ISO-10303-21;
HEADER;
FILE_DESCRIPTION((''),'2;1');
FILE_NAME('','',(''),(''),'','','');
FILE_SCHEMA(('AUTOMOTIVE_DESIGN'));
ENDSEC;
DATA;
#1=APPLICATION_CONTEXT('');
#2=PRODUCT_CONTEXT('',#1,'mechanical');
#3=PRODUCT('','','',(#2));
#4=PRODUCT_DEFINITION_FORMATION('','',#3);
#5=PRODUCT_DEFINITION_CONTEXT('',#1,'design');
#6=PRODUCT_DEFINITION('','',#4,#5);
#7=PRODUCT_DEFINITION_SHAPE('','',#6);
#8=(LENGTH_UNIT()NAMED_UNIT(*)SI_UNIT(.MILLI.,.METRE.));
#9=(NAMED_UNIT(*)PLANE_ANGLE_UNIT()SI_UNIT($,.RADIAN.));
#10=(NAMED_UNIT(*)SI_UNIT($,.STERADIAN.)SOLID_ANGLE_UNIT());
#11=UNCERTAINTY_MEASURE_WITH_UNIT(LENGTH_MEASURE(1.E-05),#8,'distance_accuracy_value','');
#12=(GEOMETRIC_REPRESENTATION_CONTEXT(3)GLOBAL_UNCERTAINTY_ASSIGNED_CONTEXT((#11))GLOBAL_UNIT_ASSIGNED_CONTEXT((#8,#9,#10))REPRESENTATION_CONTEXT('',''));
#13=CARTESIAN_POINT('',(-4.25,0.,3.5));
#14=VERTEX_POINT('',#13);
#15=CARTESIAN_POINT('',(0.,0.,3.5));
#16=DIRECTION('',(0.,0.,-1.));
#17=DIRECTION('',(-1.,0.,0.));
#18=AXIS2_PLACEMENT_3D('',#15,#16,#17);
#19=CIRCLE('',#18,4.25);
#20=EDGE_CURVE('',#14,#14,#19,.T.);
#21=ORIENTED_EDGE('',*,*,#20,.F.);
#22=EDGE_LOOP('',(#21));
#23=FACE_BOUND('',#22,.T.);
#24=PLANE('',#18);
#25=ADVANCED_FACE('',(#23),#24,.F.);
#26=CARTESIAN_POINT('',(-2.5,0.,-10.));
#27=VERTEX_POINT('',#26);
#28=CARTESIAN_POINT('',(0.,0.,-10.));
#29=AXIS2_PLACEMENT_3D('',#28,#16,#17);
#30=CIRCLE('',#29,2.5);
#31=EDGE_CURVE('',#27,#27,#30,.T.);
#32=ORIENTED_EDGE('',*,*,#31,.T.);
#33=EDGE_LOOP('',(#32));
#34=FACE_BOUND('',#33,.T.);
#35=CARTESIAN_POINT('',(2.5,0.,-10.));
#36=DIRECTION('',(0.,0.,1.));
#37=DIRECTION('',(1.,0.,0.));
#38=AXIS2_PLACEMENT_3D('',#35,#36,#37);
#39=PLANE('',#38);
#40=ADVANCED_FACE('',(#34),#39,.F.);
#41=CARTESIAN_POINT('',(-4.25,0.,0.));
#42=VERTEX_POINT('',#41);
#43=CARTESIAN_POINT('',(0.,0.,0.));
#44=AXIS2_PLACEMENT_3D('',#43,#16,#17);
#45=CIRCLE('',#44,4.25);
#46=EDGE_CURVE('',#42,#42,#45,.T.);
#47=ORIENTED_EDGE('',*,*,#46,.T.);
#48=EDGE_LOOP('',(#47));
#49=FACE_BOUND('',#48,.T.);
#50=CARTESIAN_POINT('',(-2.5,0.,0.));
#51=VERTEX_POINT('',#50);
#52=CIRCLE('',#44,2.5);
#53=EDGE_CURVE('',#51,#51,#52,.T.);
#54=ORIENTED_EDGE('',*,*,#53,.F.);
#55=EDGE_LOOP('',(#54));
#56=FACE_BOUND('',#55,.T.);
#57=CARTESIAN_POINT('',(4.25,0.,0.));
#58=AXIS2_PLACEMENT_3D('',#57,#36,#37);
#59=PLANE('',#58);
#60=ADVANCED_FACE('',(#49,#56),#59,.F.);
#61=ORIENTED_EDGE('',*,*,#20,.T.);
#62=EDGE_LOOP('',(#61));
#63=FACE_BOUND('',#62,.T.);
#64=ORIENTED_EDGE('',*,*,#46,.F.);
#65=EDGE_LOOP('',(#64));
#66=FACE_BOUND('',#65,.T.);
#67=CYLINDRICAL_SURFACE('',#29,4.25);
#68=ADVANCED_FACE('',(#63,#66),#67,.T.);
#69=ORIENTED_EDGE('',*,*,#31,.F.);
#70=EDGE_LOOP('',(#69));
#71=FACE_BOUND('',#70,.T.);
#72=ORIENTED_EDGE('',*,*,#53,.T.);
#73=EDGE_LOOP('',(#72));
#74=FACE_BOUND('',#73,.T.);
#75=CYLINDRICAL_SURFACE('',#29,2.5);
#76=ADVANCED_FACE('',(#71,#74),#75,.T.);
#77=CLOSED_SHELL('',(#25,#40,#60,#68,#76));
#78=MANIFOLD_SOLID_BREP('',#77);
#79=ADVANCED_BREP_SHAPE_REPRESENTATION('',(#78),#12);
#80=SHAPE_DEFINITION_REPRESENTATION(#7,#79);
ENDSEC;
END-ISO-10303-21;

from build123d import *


with BuildPart() as part:
    # Sketch1 → REV_DIN7984_M5x10_8.8 (revolve)
    with BuildSketch(Plane(origin=(0, 0, 0), x_dir=(1, 0, 0), z_dir=(0, 1, 0)), mode=Mode.PRIVATE) as rev_din7984_m5x10_8_8_sk:
        Polygon((0, -3.5), (4.25, -3.5), (4.25, 0), (2.5, 0), (2.5, 10), (0, 10), align=None)
    revolve(rev_din7984_m5x10_8_8_sk.sketch.rotate(Axis((0, 0, -10), (0, 0, 1)), 180), axis=Axis((0, 0, -10), (0, 0, 1)))


solid = part.part
